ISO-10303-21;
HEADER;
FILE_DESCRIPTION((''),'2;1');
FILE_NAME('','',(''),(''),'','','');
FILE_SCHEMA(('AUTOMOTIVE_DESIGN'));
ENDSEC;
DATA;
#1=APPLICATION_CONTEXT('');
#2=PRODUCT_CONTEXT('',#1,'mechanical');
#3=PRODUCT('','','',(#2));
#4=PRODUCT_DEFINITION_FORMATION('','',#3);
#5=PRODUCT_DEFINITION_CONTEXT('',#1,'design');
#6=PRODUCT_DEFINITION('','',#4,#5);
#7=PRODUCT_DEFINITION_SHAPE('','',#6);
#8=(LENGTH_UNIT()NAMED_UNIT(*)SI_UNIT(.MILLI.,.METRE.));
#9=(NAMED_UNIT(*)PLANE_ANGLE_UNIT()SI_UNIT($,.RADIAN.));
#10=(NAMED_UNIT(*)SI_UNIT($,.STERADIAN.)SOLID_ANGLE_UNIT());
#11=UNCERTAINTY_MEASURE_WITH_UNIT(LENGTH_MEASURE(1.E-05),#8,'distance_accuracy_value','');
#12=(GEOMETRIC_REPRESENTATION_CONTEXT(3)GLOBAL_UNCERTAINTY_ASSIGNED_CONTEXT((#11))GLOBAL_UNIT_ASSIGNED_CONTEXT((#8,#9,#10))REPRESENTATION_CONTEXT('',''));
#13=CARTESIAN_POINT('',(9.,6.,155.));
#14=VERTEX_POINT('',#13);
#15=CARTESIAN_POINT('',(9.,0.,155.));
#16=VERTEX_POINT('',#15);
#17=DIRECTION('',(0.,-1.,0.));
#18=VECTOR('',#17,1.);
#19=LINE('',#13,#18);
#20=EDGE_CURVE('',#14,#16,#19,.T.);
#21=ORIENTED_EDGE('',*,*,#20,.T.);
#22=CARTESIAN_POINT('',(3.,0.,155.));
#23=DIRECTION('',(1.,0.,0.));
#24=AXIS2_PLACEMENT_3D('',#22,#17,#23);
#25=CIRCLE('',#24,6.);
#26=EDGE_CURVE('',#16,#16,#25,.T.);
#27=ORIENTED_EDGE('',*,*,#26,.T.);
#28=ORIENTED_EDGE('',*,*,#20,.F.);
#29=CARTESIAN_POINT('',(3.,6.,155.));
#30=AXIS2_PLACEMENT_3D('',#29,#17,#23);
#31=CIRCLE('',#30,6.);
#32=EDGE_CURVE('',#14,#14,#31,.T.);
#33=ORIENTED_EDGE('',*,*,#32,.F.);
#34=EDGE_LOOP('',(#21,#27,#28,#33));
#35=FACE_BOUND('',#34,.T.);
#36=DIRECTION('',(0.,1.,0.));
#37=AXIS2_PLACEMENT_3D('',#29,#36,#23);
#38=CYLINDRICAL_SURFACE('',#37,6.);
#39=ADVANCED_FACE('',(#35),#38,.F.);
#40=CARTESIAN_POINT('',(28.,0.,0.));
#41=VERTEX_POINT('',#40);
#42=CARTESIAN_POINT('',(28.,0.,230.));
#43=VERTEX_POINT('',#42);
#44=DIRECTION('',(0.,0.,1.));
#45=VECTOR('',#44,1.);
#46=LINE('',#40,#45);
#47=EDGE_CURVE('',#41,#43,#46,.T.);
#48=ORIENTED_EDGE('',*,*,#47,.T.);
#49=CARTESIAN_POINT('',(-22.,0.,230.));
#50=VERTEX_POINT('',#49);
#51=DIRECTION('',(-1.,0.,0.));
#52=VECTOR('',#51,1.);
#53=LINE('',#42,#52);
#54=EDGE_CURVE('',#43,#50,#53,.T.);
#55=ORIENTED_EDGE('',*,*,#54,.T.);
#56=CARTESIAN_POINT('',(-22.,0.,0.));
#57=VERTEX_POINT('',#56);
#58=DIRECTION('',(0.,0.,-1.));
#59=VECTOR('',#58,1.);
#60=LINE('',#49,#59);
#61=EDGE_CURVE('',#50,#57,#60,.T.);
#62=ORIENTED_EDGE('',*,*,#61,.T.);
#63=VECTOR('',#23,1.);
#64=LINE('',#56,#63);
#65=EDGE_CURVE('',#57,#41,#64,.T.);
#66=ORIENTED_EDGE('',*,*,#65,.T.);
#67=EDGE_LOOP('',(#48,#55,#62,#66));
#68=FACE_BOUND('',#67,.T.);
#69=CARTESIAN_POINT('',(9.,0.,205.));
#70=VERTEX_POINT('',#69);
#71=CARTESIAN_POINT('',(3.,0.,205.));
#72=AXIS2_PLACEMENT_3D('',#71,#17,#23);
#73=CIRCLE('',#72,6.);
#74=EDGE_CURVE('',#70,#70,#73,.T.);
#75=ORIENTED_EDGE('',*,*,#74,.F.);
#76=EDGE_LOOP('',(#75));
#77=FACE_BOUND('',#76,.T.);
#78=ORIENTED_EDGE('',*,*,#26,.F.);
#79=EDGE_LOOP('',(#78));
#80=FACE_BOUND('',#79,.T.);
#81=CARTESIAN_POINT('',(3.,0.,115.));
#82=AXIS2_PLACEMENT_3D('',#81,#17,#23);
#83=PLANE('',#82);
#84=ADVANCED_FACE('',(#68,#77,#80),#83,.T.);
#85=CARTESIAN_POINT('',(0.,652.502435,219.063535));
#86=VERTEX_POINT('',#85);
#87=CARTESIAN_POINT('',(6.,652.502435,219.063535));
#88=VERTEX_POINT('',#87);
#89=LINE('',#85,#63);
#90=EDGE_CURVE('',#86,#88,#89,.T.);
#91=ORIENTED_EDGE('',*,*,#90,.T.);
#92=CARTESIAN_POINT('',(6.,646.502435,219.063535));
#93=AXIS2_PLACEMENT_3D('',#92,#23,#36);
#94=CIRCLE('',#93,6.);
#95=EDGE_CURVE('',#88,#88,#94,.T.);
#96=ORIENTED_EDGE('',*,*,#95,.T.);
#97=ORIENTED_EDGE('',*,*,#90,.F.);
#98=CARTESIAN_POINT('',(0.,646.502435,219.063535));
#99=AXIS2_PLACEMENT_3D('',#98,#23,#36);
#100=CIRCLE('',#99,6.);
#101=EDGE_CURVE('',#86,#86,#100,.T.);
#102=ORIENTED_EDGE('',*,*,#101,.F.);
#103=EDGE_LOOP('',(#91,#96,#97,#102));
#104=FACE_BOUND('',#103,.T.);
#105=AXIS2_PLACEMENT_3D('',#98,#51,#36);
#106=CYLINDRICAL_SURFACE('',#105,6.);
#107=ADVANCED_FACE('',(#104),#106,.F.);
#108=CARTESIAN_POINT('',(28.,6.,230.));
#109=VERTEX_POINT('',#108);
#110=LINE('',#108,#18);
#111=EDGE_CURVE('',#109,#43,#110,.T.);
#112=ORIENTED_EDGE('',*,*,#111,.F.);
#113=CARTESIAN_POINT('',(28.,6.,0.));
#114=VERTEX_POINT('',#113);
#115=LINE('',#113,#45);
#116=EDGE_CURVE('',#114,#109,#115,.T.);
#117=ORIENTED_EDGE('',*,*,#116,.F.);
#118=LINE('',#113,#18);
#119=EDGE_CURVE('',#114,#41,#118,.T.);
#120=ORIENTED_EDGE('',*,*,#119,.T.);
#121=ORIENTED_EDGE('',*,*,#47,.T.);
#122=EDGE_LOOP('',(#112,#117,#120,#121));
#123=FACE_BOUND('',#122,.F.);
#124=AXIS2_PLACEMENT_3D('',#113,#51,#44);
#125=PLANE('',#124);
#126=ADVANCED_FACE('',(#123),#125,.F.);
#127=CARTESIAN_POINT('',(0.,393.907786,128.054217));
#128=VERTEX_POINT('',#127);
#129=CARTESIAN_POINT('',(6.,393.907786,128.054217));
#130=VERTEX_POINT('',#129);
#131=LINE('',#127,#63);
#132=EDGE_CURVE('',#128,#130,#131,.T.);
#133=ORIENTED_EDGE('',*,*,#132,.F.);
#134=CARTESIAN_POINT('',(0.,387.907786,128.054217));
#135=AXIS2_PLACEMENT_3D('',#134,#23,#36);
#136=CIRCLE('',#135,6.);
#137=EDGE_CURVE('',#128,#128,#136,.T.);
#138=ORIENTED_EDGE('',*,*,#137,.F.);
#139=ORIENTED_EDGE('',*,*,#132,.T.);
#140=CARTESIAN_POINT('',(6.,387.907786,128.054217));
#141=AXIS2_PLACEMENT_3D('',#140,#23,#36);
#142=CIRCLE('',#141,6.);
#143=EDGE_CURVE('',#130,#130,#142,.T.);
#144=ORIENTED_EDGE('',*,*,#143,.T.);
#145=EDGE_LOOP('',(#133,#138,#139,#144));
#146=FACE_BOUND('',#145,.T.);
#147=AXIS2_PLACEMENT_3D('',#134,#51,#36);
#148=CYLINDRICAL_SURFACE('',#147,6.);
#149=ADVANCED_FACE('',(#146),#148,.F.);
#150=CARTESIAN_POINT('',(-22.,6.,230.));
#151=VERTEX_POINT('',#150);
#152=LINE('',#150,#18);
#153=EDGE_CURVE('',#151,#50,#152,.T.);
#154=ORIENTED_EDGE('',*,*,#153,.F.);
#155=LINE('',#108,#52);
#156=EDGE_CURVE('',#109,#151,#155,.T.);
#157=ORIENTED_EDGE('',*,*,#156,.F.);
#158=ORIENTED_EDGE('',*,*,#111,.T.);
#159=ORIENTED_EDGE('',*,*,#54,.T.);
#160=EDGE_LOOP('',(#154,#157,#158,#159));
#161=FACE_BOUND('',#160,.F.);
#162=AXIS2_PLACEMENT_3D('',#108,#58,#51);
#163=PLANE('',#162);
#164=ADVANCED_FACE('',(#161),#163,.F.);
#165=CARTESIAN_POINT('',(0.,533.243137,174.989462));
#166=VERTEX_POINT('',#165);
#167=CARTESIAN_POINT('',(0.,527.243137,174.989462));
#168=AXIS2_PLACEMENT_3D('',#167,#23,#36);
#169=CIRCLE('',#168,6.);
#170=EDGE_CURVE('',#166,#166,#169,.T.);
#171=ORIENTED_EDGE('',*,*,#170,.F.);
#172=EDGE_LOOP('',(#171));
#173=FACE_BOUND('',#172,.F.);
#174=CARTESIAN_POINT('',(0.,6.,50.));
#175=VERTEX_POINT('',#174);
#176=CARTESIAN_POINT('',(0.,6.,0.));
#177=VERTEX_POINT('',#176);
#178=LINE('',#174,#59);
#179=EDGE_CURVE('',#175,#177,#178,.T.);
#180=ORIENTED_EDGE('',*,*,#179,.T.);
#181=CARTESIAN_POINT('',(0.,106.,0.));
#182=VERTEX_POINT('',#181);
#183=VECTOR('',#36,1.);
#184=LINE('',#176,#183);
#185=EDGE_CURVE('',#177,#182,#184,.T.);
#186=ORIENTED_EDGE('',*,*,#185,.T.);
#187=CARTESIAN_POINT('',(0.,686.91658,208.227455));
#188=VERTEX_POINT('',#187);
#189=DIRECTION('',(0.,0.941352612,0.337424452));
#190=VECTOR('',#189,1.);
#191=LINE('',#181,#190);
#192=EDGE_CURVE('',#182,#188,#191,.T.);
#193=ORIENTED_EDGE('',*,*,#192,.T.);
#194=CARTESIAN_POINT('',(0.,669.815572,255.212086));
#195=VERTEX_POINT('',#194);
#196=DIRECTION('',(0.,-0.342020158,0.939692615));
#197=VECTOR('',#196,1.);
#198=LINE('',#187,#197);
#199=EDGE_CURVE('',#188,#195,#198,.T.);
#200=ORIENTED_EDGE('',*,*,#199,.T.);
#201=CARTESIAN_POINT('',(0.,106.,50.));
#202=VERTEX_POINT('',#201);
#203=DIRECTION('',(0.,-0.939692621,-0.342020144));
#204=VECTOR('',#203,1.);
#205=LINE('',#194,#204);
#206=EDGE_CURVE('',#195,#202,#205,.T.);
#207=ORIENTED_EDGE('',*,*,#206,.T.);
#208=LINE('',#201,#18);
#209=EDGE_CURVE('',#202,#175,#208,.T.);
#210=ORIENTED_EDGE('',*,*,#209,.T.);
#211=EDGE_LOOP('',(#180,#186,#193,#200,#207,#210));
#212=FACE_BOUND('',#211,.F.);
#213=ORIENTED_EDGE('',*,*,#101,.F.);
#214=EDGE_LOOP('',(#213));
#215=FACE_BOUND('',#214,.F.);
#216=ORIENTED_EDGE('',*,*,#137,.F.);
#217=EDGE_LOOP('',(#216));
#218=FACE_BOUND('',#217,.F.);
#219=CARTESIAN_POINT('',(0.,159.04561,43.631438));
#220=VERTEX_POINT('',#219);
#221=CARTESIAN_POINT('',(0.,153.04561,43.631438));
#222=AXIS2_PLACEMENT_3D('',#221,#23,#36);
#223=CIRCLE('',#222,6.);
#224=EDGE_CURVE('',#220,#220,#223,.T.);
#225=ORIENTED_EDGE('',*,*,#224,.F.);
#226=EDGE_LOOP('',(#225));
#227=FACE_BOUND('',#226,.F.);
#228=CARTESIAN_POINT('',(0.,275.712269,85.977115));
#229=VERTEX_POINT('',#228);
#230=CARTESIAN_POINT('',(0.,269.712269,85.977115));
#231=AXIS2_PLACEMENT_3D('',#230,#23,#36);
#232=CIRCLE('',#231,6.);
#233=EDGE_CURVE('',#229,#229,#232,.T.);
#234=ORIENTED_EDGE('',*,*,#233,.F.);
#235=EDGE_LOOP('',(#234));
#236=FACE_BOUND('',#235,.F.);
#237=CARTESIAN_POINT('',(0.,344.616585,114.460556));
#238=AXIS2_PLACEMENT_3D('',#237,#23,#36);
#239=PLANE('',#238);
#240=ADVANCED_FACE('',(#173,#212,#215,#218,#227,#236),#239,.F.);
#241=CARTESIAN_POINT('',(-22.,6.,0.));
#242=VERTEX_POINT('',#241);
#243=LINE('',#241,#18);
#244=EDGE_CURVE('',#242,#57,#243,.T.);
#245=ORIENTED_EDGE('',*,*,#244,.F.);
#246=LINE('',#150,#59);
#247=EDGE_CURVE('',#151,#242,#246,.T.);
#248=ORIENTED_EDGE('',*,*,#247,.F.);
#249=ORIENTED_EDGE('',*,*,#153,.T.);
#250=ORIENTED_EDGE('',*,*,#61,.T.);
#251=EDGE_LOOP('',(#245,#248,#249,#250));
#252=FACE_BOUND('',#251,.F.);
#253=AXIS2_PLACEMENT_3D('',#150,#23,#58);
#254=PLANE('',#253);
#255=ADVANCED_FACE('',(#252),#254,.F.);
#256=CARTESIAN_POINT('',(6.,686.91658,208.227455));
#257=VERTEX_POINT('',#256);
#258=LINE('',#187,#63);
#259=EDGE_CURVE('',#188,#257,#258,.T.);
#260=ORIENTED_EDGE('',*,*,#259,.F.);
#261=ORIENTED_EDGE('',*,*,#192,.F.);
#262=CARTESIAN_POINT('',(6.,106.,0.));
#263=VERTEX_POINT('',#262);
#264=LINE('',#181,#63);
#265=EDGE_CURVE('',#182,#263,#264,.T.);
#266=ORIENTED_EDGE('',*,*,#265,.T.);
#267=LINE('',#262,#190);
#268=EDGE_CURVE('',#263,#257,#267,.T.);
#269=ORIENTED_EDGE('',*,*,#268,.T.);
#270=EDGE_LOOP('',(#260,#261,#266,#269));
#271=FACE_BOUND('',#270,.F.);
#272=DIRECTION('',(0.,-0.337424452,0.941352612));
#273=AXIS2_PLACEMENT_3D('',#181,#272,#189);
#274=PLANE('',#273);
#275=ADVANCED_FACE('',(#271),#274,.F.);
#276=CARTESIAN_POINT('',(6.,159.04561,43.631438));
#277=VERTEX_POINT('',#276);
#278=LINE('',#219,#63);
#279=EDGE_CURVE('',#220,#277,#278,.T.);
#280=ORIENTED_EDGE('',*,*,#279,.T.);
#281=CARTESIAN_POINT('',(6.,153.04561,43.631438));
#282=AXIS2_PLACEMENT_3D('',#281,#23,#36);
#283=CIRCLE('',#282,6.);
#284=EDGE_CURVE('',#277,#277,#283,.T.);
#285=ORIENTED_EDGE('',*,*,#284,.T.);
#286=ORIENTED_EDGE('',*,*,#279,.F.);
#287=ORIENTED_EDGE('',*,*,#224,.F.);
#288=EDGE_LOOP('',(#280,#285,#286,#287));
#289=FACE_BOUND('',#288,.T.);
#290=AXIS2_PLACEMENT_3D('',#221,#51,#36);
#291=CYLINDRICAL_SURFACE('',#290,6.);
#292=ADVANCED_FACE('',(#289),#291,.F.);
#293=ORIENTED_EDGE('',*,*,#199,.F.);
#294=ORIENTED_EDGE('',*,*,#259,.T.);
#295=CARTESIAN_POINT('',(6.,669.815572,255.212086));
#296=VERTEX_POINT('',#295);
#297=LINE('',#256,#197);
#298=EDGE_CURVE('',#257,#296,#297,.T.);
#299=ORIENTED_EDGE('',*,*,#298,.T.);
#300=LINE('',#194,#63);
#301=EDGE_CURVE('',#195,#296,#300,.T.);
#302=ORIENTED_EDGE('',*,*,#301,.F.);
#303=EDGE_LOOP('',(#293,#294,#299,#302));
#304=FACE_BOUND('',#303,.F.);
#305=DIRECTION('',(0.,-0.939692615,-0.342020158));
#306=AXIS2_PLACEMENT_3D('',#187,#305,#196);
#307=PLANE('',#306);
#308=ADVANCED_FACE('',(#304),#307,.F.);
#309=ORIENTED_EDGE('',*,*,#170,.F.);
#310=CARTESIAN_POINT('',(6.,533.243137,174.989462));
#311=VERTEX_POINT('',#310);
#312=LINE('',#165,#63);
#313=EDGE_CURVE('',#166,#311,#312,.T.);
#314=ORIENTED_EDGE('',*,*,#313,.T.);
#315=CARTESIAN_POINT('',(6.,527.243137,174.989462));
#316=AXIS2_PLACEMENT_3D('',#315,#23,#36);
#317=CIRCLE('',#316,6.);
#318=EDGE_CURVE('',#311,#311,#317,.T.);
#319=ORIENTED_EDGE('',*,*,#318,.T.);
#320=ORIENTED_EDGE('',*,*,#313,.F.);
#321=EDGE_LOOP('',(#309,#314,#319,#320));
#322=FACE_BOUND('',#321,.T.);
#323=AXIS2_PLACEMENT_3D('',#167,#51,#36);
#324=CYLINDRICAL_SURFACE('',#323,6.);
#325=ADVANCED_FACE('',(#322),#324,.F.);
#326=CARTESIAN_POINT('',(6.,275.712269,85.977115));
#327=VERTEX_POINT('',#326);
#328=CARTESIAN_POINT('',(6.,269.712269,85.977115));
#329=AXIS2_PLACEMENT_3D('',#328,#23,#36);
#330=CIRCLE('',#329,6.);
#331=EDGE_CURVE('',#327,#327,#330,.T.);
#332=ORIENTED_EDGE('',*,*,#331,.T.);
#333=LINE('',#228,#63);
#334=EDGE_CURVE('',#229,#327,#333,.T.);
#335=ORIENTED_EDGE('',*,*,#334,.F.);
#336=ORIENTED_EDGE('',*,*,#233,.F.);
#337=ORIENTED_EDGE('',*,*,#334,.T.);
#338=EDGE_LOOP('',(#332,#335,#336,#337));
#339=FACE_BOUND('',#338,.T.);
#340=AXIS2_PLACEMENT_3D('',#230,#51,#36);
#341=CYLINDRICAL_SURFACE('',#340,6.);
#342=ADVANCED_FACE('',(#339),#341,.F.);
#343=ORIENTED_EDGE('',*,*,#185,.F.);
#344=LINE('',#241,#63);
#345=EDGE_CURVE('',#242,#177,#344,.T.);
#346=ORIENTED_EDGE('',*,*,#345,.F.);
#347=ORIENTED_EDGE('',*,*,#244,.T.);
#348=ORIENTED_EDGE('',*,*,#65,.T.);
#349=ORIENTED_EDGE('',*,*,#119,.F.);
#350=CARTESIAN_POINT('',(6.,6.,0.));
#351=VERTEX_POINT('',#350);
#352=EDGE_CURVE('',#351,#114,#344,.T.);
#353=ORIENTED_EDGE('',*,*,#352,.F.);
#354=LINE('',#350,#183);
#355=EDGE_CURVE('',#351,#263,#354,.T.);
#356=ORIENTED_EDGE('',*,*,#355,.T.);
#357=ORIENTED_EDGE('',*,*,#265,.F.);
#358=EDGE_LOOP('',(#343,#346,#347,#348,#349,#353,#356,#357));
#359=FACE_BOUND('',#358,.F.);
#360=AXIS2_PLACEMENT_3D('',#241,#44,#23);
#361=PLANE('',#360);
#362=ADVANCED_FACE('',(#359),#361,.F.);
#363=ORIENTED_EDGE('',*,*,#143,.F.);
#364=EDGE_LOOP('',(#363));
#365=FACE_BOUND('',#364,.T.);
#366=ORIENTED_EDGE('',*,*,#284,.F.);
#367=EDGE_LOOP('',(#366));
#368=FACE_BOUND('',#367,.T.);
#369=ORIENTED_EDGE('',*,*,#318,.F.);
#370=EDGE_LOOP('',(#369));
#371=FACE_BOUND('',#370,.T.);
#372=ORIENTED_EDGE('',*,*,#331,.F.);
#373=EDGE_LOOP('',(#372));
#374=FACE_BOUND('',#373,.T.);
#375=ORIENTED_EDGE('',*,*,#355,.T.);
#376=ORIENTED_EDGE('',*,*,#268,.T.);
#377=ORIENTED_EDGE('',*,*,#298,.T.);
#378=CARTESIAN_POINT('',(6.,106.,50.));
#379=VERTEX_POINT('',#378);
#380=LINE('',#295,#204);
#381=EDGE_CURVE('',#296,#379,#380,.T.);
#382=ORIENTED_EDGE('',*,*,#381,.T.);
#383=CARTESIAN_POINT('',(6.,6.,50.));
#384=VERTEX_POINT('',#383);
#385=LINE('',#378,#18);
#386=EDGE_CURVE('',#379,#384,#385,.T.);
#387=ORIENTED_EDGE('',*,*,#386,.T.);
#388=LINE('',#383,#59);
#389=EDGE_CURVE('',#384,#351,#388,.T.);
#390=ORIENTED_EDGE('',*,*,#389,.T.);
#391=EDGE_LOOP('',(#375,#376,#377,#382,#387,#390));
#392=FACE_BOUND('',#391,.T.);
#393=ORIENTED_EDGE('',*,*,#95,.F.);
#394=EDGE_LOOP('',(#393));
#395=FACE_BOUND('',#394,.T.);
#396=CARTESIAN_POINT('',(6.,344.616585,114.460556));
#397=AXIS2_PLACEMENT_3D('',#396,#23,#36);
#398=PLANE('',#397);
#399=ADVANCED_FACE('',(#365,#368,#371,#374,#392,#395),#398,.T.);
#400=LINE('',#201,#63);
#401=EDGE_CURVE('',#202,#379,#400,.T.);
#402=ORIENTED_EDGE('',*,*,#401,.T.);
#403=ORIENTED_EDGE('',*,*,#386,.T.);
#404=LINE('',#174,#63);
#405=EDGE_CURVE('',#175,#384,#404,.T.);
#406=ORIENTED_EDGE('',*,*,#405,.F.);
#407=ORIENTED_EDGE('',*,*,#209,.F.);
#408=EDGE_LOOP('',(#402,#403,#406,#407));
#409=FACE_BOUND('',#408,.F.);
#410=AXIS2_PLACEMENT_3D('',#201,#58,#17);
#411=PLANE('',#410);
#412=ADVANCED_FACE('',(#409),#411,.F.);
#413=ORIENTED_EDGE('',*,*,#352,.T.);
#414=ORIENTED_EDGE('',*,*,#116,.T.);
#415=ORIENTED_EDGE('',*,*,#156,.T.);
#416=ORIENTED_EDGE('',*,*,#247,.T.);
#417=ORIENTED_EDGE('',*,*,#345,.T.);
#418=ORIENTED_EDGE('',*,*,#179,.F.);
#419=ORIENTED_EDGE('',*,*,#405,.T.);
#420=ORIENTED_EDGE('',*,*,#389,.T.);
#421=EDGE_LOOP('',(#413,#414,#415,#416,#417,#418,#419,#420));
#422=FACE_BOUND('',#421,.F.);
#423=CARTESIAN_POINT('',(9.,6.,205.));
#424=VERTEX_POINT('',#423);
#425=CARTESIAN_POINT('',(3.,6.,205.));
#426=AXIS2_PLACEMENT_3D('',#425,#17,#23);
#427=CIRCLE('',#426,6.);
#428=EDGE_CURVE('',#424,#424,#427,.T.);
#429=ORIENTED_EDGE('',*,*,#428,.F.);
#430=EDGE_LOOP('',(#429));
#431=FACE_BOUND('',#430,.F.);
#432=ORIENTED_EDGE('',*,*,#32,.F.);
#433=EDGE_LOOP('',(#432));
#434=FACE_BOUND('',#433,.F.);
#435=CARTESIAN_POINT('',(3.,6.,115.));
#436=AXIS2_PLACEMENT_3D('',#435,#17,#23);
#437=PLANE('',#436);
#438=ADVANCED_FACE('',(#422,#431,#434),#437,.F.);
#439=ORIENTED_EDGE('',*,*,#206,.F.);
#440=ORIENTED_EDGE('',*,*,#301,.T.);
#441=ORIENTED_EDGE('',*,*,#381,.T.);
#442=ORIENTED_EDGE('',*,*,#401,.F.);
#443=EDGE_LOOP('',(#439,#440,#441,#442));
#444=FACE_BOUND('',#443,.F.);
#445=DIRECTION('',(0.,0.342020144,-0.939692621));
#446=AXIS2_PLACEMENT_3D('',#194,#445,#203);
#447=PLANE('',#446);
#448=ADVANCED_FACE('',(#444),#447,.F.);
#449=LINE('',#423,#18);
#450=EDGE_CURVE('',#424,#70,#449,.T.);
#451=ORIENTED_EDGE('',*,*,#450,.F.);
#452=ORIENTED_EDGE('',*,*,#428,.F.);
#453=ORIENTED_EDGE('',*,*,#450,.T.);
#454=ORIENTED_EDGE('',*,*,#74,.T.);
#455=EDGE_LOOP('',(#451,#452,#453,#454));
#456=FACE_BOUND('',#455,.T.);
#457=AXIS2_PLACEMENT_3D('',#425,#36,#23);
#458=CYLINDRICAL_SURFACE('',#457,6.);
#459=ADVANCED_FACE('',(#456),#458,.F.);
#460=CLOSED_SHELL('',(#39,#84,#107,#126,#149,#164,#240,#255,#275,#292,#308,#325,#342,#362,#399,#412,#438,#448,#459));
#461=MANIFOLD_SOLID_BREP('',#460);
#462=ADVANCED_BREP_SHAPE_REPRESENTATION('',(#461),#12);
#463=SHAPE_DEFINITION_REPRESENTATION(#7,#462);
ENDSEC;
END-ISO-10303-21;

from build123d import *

# Parameters (mm, degrees)
F0_R     = 6
F1_DEPTH = 6
F2_R     = 6
F3_DEPTH = 6


with BuildPart() as f1:
    # F0 (on Right) → F1 (new body)
    with BuildSketch(Plane.YZ):
        Polygon((106, 50), (6, 50), (6, 0), (106, 0), (686.91658, 208.227455), (669.815572, 255.212086), align=None)
        with Locations((153.04561, 43.631438)):
            Circle(F0_R, mode=Mode.SUBTRACT)
        with Locations((269.712269, 85.977115)):
            Circle(F0_R, mode=Mode.SUBTRACT)
        with Locations((387.907786, 128.054217)):
            Circle(F0_R, mode=Mode.SUBTRACT)
        with Locations((527.243137, 174.989462)):
            Circle(F0_R, mode=Mode.SUBTRACT)
        with Locations((646.502435, 219.063535)):
            Circle(F0_R, mode=Mode.SUBTRACT)
    extrude(amount=F1_DEPTH)

    # F2 (on face) → F3 (join)
    with BuildSketch(Plane.XZ.offset(-6)):
        Polygon((-22, 0), (6, 0), (28, 0), (28, 230), (-22, 230), align=None)
        with Locations((3, 155)):
            Circle(F2_R, mode=Mode.SUBTRACT)
        with Locations((3, 205)):
            Circle(F2_R, mode=Mode.SUBTRACT)
    extrude(amount=F3_DEPTH)


solid = f1.part
